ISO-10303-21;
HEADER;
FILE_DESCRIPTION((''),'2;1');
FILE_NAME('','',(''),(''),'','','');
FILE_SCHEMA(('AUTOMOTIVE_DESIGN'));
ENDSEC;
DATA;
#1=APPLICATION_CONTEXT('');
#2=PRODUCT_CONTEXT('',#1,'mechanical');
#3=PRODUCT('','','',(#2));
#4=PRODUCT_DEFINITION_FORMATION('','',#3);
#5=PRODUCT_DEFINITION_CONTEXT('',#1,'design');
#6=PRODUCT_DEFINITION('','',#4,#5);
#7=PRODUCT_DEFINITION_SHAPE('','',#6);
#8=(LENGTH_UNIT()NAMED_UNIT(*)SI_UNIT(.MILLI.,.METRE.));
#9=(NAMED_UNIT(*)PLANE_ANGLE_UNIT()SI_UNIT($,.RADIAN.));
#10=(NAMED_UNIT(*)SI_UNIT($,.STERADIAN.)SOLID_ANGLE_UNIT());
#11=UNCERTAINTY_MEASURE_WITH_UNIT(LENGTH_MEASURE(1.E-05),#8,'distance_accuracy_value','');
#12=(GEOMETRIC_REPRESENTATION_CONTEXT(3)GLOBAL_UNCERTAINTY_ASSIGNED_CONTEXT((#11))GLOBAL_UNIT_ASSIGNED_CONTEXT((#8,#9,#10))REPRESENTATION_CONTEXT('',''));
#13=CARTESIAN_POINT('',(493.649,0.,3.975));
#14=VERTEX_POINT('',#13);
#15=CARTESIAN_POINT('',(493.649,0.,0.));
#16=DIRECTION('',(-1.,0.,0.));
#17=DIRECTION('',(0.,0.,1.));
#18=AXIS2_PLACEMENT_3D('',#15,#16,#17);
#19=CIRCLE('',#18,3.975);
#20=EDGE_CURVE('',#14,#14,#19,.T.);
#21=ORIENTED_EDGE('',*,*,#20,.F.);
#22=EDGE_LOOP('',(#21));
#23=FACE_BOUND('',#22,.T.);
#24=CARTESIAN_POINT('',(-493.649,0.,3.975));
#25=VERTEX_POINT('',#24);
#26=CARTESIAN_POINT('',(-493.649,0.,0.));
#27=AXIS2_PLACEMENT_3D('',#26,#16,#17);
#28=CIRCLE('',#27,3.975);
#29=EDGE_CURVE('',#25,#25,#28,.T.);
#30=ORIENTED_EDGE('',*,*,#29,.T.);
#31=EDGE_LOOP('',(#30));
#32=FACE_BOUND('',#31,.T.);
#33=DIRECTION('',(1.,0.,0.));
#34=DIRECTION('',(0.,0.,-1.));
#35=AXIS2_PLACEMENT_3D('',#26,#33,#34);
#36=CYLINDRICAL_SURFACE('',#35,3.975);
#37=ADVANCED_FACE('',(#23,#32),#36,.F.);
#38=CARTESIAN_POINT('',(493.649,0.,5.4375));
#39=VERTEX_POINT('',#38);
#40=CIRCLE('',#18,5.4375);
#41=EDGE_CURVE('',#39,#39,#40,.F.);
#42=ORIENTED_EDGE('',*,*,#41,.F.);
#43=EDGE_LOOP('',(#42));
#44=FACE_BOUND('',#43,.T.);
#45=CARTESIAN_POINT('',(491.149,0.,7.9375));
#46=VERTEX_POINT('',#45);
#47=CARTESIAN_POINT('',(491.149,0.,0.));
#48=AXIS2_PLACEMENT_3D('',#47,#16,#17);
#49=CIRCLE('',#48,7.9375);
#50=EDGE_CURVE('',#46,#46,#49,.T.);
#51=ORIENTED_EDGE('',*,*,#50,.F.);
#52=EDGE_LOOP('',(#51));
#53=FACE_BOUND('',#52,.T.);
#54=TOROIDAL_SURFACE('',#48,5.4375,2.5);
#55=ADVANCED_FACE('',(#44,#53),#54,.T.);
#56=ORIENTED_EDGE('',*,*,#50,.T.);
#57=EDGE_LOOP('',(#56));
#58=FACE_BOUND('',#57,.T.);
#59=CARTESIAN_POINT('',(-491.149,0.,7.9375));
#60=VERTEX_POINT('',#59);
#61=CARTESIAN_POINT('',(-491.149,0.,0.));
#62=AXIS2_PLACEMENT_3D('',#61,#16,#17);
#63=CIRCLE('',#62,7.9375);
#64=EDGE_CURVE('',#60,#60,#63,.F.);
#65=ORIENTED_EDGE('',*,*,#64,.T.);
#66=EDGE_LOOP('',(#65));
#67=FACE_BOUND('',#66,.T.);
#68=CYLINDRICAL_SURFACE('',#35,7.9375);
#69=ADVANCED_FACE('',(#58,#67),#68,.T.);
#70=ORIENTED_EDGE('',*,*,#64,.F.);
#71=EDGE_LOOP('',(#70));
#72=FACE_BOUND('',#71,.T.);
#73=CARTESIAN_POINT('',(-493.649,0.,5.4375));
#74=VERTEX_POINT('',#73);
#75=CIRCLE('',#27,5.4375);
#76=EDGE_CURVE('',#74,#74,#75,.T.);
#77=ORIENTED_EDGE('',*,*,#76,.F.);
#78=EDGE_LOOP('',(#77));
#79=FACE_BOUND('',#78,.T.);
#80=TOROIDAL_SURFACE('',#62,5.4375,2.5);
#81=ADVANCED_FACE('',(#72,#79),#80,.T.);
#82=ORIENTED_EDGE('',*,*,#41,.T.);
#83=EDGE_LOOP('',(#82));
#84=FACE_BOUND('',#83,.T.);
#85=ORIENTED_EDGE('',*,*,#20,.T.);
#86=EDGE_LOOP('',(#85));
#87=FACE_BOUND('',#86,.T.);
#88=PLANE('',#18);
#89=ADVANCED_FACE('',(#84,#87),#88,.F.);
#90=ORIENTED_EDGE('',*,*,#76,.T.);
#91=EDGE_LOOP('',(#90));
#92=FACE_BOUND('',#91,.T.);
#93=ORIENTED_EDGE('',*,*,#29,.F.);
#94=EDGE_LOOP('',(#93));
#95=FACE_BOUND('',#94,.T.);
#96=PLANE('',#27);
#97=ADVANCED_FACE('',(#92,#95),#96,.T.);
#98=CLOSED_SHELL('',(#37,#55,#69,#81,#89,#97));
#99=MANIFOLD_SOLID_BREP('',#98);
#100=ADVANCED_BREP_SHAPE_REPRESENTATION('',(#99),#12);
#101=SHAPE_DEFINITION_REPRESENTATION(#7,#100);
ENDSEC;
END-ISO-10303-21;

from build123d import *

# Parameters (mm, degrees)
SKETCH_1_R        = 7.9375
SKETCH_1_R_2      = 3.975
EXTRUDE_1_DEPTH   = 493.649
FILLET_1_R        = 2.5
MOVE_BODY_1_ANGLE = 90


with BuildPart() as part:
    # 스케치1 → 보스-돌출1 (new body, symmetric)
    with BuildSketch(Plane(origin=(0, 0, 0), x_dir=(1, 0, 0), z_dir=(0, 1, 0))):
        Circle(SKETCH_1_R)
        Circle(SKETCH_1_R_2, mode=Mode.SUBTRACT)
    extrude(amount=EXTRUDE_1_DEPTH, both=True)

    # 필렛1
    fillet_1_edges = [part.edges().sort_by_distance(p)[0] for p in [
        (-7.9375, -493.649, 0),
        (-7.9375, 493.649, 0),
    ]]
    fillet(fillet_1_edges, radius=FILLET_1_R)


with BuildPart() as part_1:
    # Move Body 1: moved
    add(part.part.rotate(Axis((0, 0, 0), (0, 0, 1)), MOVE_BODY_1_ANGLE))


solid = part_1.part
